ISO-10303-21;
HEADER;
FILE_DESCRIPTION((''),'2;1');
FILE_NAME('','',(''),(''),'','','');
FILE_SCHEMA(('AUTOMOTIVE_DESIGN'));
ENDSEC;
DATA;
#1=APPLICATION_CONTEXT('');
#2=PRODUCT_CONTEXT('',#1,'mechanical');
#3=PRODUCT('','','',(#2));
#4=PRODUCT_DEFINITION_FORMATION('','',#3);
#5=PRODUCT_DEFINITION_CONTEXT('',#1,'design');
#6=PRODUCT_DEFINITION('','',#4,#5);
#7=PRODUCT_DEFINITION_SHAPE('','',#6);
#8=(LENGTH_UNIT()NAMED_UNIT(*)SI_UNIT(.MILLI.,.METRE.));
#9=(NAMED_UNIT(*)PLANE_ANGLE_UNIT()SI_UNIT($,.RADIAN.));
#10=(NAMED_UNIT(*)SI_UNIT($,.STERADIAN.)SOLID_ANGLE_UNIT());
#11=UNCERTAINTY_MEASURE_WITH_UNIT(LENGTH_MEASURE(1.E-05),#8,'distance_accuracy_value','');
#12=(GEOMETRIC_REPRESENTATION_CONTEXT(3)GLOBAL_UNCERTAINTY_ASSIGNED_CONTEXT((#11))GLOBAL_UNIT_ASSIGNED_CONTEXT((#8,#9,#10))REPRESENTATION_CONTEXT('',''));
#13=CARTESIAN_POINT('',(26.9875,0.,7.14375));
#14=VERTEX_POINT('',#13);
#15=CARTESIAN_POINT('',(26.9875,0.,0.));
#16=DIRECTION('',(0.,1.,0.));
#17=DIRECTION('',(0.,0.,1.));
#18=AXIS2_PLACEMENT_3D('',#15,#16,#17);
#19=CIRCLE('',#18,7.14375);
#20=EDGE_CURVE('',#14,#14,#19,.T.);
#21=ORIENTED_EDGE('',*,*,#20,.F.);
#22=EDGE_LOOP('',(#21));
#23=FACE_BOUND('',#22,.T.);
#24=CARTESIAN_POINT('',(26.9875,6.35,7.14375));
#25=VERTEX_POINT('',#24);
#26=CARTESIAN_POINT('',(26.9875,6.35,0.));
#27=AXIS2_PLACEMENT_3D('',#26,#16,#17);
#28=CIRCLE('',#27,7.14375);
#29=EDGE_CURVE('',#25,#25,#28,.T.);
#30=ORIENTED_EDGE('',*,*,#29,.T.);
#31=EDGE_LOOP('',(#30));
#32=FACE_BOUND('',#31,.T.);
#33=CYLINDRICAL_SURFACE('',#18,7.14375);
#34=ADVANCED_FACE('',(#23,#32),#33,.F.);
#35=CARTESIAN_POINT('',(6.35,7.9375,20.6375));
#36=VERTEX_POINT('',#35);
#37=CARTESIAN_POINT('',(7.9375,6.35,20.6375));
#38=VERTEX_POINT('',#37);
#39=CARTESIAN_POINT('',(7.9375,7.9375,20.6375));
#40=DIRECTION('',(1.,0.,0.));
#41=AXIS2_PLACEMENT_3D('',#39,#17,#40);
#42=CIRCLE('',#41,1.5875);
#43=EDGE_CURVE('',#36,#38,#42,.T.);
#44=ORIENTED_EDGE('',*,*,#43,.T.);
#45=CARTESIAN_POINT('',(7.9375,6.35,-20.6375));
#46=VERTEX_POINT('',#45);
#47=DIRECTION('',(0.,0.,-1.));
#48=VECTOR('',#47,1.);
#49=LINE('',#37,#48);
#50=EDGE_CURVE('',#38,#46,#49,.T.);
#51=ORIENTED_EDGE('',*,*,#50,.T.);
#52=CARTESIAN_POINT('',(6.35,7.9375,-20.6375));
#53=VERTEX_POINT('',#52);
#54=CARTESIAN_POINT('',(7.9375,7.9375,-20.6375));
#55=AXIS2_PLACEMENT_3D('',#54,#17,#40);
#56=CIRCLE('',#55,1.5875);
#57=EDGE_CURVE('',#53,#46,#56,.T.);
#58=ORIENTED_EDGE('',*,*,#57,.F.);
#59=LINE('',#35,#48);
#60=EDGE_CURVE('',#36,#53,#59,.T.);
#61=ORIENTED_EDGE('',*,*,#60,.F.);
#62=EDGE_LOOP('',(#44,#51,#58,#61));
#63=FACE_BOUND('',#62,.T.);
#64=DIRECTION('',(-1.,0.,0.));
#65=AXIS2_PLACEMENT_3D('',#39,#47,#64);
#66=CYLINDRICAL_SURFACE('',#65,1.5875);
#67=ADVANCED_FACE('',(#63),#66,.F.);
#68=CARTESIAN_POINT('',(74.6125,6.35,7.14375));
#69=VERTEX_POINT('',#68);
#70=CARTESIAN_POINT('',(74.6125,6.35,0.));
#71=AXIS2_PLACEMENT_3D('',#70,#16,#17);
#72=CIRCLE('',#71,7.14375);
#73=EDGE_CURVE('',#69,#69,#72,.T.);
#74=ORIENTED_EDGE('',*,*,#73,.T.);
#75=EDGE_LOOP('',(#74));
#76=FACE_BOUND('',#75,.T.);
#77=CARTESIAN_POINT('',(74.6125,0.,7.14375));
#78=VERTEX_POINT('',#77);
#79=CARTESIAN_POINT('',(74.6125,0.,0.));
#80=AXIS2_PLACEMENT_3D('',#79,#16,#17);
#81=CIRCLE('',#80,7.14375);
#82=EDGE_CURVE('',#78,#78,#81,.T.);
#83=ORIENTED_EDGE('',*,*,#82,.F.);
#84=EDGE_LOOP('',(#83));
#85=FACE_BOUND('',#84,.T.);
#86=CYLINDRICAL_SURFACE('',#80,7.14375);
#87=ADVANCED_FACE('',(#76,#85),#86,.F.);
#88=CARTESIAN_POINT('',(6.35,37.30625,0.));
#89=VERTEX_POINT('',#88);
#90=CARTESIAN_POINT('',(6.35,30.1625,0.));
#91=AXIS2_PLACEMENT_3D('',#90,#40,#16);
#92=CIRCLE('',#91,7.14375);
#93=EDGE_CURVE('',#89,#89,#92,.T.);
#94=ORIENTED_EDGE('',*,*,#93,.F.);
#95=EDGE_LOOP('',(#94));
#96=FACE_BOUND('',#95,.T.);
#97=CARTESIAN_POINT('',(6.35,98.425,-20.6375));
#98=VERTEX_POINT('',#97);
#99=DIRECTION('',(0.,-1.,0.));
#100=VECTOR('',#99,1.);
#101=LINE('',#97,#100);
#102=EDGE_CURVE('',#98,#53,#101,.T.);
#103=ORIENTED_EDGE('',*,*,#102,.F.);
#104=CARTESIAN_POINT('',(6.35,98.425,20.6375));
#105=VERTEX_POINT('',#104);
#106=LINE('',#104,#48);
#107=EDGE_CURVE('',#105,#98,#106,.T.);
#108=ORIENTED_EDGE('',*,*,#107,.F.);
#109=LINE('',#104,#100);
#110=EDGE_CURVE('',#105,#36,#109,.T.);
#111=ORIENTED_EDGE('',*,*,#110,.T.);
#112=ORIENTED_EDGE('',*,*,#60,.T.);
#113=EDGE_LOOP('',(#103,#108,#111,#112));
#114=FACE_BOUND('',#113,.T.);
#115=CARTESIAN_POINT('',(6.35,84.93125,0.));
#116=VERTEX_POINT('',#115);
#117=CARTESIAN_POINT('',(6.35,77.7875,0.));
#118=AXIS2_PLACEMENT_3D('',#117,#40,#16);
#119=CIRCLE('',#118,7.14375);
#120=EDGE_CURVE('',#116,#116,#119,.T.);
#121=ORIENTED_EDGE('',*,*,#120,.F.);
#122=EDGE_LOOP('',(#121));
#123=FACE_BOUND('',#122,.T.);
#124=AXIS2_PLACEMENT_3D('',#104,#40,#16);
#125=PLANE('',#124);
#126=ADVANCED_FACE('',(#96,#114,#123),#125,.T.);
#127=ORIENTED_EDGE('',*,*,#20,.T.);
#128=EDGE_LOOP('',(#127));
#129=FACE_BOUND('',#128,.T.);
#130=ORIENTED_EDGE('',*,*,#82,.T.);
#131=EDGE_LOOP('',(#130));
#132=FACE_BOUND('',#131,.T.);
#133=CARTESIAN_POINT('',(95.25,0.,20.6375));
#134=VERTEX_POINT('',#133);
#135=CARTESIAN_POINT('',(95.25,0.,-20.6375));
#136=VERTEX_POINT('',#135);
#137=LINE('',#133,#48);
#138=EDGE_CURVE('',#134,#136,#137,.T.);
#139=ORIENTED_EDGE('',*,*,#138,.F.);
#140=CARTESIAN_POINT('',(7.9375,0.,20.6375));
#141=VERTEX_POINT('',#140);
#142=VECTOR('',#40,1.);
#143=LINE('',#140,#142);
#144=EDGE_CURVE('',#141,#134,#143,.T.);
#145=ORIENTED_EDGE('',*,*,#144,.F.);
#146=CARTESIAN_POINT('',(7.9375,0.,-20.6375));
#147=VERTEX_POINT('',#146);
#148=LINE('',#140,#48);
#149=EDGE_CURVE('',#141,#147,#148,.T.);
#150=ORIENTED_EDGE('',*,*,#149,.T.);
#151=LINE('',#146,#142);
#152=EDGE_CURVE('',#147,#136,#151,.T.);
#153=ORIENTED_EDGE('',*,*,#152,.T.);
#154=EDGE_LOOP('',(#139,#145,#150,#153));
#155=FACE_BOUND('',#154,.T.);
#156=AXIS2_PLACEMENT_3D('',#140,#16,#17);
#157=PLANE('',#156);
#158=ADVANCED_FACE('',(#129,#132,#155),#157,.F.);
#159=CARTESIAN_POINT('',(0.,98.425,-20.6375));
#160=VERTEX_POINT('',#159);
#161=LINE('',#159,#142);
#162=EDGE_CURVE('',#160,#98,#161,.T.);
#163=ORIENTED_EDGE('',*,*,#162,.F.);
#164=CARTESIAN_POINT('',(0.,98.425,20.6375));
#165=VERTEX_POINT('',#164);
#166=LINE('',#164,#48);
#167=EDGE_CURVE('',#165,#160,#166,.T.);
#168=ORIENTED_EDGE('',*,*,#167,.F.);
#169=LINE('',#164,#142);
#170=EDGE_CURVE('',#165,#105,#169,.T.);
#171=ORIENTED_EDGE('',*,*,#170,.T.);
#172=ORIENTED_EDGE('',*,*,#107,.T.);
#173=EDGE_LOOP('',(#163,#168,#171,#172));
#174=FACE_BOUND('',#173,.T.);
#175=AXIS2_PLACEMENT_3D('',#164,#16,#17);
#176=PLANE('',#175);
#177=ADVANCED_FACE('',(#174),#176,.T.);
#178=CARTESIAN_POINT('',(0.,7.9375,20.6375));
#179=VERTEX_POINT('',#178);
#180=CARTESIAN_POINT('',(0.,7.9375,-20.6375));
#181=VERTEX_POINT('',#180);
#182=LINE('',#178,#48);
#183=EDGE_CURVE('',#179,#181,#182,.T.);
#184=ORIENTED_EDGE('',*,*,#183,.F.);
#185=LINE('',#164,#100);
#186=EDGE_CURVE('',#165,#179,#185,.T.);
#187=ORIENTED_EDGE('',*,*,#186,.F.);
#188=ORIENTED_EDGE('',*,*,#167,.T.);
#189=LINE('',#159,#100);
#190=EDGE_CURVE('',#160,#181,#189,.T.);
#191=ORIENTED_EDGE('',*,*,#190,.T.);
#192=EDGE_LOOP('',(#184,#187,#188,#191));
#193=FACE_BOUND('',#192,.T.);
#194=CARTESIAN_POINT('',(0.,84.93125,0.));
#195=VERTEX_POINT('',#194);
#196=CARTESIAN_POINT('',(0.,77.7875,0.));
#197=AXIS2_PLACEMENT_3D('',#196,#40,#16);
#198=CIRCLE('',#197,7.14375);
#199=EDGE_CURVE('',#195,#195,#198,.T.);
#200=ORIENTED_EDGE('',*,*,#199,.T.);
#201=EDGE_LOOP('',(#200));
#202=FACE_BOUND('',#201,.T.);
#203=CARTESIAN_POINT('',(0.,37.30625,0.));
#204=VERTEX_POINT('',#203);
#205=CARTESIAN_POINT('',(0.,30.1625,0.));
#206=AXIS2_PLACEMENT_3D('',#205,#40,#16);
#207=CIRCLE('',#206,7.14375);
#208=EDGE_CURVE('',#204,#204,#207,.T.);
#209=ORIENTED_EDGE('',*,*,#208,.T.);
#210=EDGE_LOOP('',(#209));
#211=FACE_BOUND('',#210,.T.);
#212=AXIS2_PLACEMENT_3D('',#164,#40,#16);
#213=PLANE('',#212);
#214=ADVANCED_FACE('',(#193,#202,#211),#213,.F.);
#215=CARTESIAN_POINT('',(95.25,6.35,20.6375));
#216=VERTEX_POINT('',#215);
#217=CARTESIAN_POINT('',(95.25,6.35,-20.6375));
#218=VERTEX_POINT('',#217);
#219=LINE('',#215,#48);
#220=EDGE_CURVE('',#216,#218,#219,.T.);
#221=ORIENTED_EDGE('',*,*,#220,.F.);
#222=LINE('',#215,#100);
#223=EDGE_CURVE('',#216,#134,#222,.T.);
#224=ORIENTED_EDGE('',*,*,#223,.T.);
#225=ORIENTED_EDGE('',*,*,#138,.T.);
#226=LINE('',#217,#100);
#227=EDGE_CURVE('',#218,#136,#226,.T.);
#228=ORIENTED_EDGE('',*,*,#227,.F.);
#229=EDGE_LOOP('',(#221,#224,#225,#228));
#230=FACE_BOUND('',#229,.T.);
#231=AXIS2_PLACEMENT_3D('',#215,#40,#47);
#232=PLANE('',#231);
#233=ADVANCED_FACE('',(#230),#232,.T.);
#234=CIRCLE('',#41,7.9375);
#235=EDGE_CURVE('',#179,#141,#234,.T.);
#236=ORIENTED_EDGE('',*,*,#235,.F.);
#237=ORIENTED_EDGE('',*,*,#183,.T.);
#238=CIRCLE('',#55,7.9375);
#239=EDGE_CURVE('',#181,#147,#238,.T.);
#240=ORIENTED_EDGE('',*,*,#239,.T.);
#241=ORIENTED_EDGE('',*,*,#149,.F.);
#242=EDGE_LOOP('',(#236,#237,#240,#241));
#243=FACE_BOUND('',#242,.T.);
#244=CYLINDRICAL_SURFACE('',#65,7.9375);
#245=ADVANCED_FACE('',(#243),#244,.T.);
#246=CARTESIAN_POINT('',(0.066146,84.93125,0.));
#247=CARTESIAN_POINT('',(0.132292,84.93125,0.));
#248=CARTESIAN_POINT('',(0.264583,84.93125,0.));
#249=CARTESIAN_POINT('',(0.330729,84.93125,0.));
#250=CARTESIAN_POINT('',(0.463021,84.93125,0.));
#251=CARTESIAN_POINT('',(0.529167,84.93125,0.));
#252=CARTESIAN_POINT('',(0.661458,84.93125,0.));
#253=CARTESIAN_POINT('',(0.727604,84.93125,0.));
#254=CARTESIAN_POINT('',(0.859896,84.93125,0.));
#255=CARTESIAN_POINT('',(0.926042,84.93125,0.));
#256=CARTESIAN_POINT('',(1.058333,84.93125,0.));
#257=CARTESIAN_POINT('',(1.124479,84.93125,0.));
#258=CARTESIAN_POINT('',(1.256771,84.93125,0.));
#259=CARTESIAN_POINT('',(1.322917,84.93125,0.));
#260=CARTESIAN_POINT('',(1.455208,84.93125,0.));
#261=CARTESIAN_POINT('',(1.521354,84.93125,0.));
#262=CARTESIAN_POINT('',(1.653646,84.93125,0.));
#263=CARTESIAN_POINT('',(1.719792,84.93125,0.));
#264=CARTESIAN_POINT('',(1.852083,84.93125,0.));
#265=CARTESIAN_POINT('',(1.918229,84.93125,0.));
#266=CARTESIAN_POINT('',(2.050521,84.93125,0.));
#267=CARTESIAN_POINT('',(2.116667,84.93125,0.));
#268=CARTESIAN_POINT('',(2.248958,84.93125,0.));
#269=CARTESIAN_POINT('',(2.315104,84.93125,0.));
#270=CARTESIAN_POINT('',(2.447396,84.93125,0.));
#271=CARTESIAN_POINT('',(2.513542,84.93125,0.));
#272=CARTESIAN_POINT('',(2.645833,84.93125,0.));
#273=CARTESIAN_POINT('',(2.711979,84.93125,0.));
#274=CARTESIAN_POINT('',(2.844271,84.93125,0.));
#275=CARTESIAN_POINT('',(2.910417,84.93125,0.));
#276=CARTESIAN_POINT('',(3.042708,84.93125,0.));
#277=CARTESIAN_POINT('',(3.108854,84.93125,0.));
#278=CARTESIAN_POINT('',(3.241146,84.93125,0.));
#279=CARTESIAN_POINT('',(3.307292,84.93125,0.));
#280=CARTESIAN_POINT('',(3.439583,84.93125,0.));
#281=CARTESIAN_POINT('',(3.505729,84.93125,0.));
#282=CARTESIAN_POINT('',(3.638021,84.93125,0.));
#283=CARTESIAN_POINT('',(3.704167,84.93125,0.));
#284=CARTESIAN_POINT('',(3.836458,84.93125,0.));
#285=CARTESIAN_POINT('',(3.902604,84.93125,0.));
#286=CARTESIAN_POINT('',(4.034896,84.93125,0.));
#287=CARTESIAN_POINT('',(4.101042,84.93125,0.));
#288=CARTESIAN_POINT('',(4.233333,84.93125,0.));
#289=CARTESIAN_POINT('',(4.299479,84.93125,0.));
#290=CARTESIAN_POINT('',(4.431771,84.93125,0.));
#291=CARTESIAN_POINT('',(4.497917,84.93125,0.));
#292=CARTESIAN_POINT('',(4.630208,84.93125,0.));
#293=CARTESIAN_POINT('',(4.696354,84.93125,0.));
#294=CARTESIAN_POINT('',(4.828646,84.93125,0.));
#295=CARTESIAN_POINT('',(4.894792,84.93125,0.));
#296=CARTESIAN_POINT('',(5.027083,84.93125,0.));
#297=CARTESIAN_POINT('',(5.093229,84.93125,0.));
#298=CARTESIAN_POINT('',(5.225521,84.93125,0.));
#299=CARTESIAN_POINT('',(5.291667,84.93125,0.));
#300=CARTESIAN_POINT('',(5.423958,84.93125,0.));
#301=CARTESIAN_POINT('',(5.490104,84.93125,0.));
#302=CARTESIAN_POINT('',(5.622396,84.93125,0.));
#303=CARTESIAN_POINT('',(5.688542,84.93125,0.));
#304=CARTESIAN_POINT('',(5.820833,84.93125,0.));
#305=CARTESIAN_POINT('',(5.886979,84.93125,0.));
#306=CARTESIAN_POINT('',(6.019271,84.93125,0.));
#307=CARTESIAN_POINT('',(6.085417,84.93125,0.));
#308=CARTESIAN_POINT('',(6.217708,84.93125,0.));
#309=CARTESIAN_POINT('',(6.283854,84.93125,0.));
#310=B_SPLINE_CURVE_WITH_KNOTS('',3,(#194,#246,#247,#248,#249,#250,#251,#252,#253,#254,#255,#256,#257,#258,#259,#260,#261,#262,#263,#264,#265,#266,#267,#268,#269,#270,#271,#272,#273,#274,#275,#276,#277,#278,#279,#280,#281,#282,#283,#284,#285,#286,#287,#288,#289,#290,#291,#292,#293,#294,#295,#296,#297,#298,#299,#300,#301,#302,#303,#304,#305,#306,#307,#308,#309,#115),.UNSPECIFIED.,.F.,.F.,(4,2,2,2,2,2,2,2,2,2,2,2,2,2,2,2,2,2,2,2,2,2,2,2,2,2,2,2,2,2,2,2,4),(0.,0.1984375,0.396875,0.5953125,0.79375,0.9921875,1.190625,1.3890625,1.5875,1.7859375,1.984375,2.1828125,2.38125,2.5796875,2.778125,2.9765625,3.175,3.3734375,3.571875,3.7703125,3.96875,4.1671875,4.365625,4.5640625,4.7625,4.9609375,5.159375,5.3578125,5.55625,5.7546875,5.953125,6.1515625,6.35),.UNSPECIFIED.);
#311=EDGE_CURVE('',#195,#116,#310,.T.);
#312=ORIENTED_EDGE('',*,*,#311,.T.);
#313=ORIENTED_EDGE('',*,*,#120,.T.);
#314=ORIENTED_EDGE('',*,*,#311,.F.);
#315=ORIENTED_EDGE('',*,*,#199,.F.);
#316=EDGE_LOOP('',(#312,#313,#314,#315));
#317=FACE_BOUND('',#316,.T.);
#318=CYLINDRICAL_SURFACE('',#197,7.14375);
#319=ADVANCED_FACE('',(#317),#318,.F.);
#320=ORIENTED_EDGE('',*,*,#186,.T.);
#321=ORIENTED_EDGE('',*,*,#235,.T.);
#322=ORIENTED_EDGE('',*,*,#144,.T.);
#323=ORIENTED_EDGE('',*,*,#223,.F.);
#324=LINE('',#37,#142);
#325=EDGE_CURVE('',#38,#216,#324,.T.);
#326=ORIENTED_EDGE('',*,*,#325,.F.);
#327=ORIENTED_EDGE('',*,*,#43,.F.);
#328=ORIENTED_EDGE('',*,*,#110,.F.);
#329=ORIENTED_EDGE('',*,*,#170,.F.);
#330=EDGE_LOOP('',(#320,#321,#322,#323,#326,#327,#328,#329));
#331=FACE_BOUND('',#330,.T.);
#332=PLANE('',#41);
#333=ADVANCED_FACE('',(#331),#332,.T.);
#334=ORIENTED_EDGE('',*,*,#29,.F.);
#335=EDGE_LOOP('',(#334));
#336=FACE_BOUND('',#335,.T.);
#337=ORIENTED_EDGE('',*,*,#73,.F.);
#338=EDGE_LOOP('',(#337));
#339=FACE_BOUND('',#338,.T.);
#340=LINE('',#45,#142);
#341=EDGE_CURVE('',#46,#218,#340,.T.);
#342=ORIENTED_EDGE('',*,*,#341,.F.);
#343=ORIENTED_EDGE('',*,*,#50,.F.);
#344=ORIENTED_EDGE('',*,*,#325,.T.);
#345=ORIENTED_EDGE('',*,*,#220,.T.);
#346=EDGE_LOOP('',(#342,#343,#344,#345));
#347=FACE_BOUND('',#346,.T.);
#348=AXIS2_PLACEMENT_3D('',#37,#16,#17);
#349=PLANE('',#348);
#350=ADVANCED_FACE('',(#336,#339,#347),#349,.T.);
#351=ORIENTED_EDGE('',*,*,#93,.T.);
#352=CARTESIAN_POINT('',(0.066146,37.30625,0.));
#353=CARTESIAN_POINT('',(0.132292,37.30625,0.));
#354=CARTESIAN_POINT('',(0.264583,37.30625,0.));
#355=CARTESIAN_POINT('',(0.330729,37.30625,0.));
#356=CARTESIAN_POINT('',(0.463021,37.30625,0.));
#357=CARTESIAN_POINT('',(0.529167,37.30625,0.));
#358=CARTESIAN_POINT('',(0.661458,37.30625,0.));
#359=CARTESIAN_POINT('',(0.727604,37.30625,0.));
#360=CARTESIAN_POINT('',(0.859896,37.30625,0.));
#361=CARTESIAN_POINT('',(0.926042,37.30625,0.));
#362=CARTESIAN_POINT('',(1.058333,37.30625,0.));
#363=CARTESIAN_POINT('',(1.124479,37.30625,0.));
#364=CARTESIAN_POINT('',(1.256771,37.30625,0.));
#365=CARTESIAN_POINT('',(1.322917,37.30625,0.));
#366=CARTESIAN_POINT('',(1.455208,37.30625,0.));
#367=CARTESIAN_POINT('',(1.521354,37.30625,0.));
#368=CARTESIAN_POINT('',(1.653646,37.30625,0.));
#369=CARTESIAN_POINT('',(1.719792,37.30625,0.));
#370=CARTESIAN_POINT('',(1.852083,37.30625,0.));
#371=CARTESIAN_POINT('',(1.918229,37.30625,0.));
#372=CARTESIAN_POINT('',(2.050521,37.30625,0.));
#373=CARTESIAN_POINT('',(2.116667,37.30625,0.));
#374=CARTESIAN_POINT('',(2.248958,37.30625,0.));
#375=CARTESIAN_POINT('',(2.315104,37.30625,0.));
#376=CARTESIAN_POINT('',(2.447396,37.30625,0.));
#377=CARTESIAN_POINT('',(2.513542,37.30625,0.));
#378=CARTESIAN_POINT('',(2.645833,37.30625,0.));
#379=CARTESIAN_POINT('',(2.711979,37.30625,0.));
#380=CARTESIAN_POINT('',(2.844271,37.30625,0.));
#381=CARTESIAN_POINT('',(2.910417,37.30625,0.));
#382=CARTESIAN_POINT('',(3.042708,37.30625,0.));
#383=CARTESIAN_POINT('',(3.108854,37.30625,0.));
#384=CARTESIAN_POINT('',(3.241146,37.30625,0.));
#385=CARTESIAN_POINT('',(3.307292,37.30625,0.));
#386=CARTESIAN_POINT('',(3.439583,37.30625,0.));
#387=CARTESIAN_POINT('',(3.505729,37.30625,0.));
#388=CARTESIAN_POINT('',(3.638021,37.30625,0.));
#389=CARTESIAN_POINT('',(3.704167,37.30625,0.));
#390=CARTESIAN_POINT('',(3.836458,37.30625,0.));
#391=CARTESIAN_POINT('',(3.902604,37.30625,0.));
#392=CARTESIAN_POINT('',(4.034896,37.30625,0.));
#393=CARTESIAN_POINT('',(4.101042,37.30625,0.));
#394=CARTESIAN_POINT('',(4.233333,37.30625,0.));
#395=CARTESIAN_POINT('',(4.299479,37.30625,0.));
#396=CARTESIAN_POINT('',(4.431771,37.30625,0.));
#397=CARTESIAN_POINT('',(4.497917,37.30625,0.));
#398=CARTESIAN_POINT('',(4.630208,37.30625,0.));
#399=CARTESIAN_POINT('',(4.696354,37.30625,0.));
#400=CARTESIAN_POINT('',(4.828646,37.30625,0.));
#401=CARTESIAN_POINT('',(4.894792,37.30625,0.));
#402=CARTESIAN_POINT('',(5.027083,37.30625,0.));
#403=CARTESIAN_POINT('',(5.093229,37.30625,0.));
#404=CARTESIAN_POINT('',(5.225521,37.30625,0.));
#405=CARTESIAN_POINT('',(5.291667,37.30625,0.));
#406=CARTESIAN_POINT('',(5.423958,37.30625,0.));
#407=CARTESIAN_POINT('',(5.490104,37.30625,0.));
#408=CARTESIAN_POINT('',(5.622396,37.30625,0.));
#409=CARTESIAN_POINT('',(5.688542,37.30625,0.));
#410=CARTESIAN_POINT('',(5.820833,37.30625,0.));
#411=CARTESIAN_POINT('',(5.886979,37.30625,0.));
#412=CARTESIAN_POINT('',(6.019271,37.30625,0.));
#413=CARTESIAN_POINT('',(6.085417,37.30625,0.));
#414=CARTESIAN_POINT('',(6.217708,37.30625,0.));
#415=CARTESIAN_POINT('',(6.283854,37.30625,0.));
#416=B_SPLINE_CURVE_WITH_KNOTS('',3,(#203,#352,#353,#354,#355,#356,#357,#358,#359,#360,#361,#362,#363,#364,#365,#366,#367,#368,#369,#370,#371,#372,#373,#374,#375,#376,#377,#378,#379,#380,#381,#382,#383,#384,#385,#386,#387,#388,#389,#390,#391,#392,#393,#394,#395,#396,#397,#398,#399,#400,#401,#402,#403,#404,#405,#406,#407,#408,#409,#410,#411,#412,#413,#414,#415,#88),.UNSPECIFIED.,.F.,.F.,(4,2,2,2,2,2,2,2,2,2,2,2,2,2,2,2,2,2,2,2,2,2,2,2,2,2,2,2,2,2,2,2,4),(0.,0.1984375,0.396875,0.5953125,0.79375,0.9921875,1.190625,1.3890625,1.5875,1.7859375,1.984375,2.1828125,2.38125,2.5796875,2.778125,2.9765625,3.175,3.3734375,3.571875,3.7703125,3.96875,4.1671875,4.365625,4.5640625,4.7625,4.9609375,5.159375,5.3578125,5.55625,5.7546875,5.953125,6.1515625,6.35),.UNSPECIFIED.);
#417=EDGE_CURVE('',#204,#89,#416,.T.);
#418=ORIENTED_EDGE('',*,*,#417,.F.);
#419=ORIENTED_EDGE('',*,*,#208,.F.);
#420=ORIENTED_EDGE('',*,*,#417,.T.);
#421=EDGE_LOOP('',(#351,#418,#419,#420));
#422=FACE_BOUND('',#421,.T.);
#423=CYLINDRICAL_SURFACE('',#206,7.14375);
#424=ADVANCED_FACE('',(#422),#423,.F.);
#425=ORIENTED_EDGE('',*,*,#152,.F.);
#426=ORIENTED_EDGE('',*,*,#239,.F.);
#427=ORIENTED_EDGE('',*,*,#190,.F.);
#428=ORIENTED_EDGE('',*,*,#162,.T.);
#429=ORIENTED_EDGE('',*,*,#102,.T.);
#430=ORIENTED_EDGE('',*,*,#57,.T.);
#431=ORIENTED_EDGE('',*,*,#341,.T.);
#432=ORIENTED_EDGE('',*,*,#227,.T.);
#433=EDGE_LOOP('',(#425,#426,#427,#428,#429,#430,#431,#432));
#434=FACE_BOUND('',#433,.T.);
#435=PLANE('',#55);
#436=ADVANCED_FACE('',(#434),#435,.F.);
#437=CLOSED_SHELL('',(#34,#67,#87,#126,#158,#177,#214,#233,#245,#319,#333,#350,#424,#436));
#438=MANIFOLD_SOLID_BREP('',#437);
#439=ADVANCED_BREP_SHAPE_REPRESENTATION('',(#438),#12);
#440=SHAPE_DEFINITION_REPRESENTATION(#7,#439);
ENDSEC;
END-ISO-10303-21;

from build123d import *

# Parameters (mm, degrees)
EXTRUDE_THIN1_DEPTH = 20.6375
SKETCH2_R           = 7.14375
CUT_EXTRUDE1_DEPTH  = 135.075629893
SKETCH3_R           = 7.14375
CUT_EXTRUDE2_DEPTH  = 135.225917882


with BuildPart() as part:
    # Sketch1 → Extrude-Thin1 (new, symmetric)
    with BuildSketch(Plane.XY):
        with BuildLine():
            Line((0, 98.425), (0, 7.9375))
            ThreePointArc((0, 7.9375), (2.324839924, 2.324839924), (7.9375, 0))
            Line((7.9375, 0), (95.25, 0))
            Line((95.25, 0), (95.25, 6.35))
            Line((95.25, 6.35), (7.9375, 6.35))
            ThreePointArc((7.9375, 6.35), (6.814967985, 6.814967985), (6.35, 7.9375))
            Line((6.35, 7.9375), (6.35, 98.425))
            Line((6.35, 98.425), (0, 98.425))
        make_face()
    extrude(amount=EXTRUDE_THIN1_DEPTH, both=True)

    # Sketch2 → Cut-Extrude1 (cut, through all)
    with BuildSketch(Plane(origin=(0, 6.35, 0), x_dir=(1, 0, 0), z_dir=(0, 1, 0))):
        with Locations(Location((74.6125, 0, 0), (0, 0, 270))):
            Circle(SKETCH2_R)
        with Locations(Location((26.9875, 0, 0), (0, 0, 270))):
            Circle(SKETCH2_R)
    extrude(amount=-CUT_EXTRUDE1_DEPTH, mode=Mode.SUBTRACT)

    # Sketch3 → Cut-Extrude2 (cut, through all)
    with BuildSketch(Plane(origin=(6.35, 0, 0), x_dir=(0, 0, -1), z_dir=(1, 0, 0))):
        with Locations(Location((0, 77.7875, 0), (0, 0, 90))):
            Circle(SKETCH3_R)
        with Locations(Location((0, 30.1625, 0), (0, 0, 90))):
            Circle(SKETCH3_R)
    extrude(amount=-CUT_EXTRUDE2_DEPTH, mode=Mode.SUBTRACT)


solid = part.part
